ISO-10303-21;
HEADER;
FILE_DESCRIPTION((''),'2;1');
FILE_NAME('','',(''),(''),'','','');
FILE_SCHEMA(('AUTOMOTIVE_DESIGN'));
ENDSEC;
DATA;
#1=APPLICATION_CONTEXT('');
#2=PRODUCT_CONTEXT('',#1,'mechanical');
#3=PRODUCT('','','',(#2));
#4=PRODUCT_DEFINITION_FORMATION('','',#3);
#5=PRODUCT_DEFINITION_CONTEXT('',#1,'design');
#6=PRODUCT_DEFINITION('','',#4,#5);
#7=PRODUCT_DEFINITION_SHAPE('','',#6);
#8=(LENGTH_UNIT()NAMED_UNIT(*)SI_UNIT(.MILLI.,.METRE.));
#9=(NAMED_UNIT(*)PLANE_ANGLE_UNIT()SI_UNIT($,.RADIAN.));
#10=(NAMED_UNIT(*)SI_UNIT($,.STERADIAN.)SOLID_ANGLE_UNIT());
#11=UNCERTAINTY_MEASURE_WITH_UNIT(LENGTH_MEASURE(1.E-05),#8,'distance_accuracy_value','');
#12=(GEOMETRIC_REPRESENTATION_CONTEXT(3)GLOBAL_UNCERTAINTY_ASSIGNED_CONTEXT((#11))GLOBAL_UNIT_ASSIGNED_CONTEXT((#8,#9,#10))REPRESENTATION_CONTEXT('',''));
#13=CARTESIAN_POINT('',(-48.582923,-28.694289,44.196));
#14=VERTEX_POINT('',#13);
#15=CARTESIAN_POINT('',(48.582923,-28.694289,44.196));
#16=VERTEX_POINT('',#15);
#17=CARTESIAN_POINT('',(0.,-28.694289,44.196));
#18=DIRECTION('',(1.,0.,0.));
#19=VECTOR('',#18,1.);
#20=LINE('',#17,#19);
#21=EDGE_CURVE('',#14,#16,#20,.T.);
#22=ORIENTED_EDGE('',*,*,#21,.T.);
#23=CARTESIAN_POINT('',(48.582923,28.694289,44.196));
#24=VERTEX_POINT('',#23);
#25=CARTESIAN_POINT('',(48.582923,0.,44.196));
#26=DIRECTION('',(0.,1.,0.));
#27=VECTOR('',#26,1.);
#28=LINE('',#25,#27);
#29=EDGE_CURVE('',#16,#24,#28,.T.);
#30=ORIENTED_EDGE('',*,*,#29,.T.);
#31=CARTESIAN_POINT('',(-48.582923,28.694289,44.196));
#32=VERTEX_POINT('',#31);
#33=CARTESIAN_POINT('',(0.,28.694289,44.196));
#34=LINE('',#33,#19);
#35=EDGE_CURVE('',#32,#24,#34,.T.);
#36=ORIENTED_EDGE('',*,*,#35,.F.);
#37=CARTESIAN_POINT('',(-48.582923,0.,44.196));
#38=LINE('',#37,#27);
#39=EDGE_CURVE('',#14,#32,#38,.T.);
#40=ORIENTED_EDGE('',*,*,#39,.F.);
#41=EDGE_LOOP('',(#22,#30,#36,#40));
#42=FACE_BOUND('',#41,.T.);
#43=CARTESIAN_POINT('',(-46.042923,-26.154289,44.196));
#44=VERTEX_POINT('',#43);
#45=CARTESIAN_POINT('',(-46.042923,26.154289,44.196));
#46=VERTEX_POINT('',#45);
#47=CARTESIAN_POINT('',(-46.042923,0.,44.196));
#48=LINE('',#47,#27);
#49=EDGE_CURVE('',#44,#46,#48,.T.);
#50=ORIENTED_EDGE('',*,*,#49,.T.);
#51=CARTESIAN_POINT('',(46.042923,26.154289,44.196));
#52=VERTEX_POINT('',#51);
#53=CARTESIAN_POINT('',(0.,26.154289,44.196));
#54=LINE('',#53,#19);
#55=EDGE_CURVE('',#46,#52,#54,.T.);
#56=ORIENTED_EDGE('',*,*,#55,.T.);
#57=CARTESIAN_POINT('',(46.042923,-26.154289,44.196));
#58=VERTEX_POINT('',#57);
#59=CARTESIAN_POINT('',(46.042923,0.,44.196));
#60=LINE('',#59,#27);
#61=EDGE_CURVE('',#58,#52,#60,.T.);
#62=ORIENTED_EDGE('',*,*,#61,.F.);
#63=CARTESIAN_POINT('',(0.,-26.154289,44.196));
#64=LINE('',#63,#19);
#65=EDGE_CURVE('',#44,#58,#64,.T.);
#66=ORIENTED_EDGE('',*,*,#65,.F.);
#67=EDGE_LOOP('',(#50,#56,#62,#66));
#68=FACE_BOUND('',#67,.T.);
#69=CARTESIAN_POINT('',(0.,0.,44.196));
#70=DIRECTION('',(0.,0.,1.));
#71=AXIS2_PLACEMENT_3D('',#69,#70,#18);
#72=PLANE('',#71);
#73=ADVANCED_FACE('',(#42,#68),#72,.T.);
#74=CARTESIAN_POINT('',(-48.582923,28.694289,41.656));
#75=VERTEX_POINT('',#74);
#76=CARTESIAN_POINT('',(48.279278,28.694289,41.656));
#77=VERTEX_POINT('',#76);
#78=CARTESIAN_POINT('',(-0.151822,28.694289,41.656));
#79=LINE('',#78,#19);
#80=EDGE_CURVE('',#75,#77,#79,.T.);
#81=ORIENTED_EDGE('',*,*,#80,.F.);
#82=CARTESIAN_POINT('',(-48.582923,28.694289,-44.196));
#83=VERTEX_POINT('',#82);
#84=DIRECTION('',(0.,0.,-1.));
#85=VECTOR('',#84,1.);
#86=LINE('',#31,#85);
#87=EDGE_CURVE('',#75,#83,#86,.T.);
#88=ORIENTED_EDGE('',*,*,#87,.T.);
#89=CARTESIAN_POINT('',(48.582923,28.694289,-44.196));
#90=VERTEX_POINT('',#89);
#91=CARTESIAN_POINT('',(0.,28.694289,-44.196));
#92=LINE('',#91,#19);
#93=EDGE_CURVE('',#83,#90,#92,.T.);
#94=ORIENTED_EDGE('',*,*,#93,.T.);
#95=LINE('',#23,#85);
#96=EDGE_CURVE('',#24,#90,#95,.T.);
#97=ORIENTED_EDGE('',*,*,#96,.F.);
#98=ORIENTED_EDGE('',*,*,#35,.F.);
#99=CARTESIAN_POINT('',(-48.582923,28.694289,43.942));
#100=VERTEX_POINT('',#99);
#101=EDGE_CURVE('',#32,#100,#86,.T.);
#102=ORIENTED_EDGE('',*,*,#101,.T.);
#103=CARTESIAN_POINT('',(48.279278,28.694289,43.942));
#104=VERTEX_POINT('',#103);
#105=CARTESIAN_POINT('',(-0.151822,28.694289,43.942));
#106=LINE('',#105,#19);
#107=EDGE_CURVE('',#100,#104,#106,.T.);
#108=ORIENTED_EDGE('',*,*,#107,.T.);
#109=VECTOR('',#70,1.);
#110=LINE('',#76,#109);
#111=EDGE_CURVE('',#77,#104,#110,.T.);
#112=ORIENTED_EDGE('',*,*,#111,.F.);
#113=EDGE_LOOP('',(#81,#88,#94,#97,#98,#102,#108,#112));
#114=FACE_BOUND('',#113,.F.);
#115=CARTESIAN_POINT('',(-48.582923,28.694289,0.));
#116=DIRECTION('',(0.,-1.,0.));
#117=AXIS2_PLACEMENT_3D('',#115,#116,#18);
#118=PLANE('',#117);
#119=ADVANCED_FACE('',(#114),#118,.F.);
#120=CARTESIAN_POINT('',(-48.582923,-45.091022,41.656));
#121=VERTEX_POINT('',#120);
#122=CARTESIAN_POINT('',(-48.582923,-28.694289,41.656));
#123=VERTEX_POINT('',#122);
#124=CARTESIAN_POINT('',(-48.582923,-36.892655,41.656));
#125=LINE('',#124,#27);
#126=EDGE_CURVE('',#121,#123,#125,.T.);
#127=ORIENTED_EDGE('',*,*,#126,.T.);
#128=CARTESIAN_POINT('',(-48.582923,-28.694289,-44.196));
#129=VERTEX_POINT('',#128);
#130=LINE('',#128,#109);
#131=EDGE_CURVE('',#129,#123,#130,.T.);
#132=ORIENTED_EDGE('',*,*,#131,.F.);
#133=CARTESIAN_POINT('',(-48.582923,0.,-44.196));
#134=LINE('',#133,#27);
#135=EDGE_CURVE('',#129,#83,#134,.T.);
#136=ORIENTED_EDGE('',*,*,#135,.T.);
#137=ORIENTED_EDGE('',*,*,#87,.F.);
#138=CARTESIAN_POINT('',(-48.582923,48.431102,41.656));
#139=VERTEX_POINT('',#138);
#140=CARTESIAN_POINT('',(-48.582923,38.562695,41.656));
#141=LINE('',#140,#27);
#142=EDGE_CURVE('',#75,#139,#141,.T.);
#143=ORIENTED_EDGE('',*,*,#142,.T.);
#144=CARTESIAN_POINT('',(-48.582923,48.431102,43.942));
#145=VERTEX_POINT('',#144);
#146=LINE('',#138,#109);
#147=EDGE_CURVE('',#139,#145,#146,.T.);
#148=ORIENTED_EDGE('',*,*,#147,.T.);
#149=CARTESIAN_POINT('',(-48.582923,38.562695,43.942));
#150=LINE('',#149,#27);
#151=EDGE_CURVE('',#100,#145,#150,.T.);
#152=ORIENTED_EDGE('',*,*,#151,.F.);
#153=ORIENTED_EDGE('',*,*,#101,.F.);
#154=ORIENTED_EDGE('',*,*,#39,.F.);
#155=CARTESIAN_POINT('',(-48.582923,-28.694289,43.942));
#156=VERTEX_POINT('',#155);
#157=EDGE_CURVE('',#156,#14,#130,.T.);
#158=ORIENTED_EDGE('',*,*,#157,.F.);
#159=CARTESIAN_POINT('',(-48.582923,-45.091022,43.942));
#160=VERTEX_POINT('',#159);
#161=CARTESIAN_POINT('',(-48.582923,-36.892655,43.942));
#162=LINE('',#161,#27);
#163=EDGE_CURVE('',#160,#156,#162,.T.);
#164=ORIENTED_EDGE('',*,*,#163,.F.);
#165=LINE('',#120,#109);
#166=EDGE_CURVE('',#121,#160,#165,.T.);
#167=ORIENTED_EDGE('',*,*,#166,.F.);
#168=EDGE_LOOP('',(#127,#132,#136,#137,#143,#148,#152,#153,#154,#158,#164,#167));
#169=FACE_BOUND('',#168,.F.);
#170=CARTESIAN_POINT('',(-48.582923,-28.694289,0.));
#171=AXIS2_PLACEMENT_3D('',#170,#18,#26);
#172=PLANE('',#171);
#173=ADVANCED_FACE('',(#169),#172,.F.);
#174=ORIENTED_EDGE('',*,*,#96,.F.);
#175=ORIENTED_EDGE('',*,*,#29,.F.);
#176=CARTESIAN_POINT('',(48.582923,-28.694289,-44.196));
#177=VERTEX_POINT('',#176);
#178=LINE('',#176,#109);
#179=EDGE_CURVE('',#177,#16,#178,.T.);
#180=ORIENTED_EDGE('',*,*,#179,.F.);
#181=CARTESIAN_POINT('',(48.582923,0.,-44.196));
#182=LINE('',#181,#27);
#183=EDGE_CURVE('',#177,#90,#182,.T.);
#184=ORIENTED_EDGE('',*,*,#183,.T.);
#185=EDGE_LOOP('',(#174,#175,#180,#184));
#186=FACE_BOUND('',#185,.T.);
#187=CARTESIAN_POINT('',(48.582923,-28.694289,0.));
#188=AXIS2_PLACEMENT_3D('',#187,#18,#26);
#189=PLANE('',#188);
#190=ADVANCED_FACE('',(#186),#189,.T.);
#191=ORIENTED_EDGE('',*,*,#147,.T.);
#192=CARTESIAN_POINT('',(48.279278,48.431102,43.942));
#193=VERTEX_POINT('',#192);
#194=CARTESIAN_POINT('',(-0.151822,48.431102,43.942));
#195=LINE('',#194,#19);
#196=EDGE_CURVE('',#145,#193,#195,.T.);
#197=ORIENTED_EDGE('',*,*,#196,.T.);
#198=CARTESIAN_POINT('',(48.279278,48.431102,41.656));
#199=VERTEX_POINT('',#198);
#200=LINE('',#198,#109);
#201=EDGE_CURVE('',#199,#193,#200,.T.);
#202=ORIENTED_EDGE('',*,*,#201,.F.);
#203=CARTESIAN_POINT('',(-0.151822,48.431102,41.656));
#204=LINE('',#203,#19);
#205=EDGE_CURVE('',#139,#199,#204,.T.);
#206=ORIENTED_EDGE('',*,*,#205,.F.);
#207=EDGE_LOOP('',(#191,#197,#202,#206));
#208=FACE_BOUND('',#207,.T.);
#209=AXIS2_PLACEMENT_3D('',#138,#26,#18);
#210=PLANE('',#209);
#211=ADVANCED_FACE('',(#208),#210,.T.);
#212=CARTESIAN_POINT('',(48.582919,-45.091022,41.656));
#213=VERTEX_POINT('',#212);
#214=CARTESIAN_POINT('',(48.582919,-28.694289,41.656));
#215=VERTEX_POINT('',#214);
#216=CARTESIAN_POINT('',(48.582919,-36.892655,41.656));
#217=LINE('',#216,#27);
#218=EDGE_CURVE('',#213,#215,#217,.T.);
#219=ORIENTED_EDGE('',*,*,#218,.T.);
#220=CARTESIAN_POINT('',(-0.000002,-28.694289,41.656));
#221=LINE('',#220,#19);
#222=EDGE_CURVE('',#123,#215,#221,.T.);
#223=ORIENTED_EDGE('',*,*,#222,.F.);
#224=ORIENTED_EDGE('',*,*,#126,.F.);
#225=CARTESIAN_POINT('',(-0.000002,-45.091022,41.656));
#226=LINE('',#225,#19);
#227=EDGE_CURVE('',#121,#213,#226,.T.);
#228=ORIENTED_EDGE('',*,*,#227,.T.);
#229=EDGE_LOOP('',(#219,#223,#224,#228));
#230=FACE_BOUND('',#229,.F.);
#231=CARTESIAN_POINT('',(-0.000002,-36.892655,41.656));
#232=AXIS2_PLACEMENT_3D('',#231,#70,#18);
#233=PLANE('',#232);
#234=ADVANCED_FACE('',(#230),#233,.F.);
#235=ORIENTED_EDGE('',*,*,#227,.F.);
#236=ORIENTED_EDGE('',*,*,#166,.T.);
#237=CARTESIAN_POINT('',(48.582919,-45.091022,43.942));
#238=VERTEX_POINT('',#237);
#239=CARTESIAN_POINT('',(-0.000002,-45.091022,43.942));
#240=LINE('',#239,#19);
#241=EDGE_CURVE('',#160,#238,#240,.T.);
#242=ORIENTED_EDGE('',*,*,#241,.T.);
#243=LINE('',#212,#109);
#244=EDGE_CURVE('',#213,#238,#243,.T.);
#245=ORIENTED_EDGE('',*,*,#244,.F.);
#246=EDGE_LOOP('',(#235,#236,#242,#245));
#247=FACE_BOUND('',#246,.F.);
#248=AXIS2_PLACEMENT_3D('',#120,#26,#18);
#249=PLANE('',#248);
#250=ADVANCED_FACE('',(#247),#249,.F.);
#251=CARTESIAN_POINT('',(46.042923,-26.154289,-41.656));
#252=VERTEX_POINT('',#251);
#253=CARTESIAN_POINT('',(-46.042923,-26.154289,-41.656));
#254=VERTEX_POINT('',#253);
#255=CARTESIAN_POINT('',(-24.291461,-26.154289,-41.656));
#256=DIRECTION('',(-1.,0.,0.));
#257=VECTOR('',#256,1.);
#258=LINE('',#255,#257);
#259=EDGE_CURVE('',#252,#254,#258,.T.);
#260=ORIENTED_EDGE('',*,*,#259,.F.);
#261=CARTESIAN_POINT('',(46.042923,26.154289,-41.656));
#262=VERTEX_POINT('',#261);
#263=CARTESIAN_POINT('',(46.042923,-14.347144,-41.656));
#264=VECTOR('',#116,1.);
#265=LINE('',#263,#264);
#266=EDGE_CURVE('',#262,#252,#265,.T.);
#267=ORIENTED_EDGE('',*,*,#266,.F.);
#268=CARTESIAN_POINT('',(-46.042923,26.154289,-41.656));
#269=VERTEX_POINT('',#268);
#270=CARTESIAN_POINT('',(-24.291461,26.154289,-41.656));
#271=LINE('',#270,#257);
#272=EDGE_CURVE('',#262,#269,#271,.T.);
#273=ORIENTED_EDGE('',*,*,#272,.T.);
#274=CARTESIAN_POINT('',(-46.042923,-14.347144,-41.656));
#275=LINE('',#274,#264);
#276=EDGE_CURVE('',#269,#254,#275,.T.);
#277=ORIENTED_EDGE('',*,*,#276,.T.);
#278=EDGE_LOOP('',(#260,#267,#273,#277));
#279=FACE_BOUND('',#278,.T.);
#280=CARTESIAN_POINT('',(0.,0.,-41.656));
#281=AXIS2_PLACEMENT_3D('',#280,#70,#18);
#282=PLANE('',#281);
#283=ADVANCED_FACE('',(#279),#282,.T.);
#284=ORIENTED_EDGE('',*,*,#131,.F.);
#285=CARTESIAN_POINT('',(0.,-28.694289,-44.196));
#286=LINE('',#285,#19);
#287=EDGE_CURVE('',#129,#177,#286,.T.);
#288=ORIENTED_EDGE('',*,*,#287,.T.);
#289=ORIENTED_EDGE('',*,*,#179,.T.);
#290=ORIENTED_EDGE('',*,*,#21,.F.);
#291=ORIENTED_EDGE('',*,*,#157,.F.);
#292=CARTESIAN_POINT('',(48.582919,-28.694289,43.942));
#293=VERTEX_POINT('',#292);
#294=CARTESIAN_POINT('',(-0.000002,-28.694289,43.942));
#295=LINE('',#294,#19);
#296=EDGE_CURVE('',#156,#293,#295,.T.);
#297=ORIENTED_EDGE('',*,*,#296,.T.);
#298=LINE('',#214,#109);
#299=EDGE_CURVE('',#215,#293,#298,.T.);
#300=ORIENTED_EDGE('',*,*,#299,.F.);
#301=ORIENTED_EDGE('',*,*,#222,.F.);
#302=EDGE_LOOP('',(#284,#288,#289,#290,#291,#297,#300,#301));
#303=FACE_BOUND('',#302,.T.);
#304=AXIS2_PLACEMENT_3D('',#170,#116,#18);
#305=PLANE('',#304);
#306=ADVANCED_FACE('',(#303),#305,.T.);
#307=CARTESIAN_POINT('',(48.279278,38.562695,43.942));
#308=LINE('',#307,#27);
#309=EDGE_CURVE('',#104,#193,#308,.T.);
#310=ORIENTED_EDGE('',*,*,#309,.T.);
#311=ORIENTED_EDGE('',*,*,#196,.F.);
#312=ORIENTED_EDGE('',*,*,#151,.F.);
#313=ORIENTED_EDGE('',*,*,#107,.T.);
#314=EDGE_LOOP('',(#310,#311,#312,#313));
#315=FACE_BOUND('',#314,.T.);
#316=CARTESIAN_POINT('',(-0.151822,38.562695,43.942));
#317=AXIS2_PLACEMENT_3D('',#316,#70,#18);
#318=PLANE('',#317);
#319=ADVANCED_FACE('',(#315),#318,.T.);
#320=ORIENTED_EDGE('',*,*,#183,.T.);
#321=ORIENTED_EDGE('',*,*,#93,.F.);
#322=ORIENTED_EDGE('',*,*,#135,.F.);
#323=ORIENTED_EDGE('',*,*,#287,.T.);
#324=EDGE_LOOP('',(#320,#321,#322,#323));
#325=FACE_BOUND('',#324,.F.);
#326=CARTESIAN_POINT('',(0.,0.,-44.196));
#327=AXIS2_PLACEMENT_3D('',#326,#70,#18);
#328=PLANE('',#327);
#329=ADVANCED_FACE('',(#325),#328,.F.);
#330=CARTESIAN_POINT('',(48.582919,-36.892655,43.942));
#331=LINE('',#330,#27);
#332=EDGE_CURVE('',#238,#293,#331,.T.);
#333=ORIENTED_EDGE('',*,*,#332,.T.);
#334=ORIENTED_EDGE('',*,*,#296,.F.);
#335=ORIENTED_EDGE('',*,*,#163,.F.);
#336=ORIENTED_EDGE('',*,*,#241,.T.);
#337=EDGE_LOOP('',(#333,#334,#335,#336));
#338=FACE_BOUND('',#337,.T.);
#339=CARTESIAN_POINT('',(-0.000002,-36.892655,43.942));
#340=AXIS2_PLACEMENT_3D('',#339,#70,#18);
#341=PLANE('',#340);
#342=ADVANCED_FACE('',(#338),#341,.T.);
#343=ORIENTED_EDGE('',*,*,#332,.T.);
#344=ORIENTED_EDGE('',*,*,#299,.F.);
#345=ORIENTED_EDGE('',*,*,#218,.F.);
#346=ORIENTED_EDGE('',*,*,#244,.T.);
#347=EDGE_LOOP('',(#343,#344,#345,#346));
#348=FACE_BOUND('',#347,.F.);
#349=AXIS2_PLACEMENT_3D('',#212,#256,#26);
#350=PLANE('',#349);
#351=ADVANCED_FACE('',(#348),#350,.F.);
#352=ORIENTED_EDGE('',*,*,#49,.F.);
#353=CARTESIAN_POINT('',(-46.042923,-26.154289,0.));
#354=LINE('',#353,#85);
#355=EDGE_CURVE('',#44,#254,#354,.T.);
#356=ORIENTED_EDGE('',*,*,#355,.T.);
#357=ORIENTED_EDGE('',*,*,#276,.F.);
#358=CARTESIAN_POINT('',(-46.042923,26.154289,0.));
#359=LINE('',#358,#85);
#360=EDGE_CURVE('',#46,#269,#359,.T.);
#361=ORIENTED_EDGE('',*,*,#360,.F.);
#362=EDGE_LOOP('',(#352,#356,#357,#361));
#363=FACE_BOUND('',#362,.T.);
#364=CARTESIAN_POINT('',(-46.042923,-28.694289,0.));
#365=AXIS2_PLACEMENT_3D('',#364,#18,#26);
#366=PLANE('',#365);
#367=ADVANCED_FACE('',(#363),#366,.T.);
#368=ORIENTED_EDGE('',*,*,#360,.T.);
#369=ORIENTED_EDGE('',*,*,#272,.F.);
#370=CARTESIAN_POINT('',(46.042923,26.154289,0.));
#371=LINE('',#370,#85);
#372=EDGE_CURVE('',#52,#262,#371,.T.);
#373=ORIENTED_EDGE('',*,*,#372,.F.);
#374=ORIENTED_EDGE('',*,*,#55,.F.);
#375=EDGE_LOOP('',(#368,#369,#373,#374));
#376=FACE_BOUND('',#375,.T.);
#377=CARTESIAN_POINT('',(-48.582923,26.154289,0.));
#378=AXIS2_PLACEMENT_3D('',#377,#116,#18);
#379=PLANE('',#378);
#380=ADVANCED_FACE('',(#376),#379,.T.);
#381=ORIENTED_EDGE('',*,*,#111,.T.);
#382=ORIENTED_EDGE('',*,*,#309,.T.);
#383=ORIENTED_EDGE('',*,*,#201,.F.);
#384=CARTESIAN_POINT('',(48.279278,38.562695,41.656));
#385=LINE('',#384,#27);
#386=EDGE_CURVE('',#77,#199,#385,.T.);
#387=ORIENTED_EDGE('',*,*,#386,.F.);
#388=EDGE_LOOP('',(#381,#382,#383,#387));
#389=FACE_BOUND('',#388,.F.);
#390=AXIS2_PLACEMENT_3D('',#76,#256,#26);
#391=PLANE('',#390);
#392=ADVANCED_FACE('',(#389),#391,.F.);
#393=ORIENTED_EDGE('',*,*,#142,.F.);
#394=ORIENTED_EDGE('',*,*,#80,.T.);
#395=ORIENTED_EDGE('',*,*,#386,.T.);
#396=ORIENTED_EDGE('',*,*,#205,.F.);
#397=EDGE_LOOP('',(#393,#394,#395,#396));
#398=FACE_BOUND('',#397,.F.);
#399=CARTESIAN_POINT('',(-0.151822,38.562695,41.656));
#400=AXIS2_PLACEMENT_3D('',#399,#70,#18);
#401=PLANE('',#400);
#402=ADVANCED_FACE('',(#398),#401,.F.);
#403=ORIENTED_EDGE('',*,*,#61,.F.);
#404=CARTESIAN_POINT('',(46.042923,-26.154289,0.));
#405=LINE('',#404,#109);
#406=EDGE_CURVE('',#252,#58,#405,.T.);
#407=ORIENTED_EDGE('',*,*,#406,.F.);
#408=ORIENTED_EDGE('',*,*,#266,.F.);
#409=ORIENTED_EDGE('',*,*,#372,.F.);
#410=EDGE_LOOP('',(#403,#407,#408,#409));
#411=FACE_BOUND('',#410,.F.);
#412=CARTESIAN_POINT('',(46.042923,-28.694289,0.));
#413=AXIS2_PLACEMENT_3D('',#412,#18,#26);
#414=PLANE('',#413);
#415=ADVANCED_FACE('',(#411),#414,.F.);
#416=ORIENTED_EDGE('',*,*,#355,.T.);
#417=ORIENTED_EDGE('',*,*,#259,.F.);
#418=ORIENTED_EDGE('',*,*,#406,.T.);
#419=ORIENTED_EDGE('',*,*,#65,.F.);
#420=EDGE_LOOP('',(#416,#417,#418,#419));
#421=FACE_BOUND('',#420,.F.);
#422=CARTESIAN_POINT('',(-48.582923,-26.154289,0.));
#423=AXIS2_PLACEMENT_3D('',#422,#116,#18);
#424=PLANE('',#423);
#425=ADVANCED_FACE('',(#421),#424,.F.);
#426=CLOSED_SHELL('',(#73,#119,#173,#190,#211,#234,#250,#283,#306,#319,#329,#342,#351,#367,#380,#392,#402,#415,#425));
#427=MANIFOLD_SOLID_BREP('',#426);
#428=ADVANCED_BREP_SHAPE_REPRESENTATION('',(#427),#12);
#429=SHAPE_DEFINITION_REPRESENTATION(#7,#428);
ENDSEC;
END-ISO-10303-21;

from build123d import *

# Parameters (mm, degrees)
F0_W          = 97.1658453345
F0_H          = 57.3885776103
F1_DEPTH      = 44.196
F1_DEPTH_BACK = 44.196
F4_T          = -2.54
F5_START      = 41.656
F2_W          = 96.8622006476
F2_H          = 19.7368133813
F3_W          = 97.1658416092
F3_H          = 16.3967330009
F5_DEPTH      = 2.286


with BuildPart() as f1:
    # F0 (on Top) → F1 (new body, two sides)
    with BuildSketch(Plane.XY) as f1_sk:
        Rectangle(F0_W, F0_H)
    extrude(amount=F1_DEPTH)
    extrude(f1_sk.sketch, amount=-F1_DEPTH_BACK)

    # F4
    f4_openings = [f1.faces().sort_by_distance(p)[0] for p in [
        (0, 0, 44.196),
    ]]
    offset(amount=F4_T, openings=f4_openings)

    # F2 (on Top) + F3 (on Top) → F5 (join)
    with BuildSketch(Plane.XY.offset(F5_START)):
        with Locations((-0.1518223435, 38.5626954958)):
            Rectangle(F2_W, F2_H)
    with BuildSketch(Plane.XY.offset(F5_START)):
        with Locations((-1.8626e-06, -36.8926553056)):
            Rectangle(F3_W, F3_H)
    extrude(amount=F5_DEPTH)


solid = f1.part
